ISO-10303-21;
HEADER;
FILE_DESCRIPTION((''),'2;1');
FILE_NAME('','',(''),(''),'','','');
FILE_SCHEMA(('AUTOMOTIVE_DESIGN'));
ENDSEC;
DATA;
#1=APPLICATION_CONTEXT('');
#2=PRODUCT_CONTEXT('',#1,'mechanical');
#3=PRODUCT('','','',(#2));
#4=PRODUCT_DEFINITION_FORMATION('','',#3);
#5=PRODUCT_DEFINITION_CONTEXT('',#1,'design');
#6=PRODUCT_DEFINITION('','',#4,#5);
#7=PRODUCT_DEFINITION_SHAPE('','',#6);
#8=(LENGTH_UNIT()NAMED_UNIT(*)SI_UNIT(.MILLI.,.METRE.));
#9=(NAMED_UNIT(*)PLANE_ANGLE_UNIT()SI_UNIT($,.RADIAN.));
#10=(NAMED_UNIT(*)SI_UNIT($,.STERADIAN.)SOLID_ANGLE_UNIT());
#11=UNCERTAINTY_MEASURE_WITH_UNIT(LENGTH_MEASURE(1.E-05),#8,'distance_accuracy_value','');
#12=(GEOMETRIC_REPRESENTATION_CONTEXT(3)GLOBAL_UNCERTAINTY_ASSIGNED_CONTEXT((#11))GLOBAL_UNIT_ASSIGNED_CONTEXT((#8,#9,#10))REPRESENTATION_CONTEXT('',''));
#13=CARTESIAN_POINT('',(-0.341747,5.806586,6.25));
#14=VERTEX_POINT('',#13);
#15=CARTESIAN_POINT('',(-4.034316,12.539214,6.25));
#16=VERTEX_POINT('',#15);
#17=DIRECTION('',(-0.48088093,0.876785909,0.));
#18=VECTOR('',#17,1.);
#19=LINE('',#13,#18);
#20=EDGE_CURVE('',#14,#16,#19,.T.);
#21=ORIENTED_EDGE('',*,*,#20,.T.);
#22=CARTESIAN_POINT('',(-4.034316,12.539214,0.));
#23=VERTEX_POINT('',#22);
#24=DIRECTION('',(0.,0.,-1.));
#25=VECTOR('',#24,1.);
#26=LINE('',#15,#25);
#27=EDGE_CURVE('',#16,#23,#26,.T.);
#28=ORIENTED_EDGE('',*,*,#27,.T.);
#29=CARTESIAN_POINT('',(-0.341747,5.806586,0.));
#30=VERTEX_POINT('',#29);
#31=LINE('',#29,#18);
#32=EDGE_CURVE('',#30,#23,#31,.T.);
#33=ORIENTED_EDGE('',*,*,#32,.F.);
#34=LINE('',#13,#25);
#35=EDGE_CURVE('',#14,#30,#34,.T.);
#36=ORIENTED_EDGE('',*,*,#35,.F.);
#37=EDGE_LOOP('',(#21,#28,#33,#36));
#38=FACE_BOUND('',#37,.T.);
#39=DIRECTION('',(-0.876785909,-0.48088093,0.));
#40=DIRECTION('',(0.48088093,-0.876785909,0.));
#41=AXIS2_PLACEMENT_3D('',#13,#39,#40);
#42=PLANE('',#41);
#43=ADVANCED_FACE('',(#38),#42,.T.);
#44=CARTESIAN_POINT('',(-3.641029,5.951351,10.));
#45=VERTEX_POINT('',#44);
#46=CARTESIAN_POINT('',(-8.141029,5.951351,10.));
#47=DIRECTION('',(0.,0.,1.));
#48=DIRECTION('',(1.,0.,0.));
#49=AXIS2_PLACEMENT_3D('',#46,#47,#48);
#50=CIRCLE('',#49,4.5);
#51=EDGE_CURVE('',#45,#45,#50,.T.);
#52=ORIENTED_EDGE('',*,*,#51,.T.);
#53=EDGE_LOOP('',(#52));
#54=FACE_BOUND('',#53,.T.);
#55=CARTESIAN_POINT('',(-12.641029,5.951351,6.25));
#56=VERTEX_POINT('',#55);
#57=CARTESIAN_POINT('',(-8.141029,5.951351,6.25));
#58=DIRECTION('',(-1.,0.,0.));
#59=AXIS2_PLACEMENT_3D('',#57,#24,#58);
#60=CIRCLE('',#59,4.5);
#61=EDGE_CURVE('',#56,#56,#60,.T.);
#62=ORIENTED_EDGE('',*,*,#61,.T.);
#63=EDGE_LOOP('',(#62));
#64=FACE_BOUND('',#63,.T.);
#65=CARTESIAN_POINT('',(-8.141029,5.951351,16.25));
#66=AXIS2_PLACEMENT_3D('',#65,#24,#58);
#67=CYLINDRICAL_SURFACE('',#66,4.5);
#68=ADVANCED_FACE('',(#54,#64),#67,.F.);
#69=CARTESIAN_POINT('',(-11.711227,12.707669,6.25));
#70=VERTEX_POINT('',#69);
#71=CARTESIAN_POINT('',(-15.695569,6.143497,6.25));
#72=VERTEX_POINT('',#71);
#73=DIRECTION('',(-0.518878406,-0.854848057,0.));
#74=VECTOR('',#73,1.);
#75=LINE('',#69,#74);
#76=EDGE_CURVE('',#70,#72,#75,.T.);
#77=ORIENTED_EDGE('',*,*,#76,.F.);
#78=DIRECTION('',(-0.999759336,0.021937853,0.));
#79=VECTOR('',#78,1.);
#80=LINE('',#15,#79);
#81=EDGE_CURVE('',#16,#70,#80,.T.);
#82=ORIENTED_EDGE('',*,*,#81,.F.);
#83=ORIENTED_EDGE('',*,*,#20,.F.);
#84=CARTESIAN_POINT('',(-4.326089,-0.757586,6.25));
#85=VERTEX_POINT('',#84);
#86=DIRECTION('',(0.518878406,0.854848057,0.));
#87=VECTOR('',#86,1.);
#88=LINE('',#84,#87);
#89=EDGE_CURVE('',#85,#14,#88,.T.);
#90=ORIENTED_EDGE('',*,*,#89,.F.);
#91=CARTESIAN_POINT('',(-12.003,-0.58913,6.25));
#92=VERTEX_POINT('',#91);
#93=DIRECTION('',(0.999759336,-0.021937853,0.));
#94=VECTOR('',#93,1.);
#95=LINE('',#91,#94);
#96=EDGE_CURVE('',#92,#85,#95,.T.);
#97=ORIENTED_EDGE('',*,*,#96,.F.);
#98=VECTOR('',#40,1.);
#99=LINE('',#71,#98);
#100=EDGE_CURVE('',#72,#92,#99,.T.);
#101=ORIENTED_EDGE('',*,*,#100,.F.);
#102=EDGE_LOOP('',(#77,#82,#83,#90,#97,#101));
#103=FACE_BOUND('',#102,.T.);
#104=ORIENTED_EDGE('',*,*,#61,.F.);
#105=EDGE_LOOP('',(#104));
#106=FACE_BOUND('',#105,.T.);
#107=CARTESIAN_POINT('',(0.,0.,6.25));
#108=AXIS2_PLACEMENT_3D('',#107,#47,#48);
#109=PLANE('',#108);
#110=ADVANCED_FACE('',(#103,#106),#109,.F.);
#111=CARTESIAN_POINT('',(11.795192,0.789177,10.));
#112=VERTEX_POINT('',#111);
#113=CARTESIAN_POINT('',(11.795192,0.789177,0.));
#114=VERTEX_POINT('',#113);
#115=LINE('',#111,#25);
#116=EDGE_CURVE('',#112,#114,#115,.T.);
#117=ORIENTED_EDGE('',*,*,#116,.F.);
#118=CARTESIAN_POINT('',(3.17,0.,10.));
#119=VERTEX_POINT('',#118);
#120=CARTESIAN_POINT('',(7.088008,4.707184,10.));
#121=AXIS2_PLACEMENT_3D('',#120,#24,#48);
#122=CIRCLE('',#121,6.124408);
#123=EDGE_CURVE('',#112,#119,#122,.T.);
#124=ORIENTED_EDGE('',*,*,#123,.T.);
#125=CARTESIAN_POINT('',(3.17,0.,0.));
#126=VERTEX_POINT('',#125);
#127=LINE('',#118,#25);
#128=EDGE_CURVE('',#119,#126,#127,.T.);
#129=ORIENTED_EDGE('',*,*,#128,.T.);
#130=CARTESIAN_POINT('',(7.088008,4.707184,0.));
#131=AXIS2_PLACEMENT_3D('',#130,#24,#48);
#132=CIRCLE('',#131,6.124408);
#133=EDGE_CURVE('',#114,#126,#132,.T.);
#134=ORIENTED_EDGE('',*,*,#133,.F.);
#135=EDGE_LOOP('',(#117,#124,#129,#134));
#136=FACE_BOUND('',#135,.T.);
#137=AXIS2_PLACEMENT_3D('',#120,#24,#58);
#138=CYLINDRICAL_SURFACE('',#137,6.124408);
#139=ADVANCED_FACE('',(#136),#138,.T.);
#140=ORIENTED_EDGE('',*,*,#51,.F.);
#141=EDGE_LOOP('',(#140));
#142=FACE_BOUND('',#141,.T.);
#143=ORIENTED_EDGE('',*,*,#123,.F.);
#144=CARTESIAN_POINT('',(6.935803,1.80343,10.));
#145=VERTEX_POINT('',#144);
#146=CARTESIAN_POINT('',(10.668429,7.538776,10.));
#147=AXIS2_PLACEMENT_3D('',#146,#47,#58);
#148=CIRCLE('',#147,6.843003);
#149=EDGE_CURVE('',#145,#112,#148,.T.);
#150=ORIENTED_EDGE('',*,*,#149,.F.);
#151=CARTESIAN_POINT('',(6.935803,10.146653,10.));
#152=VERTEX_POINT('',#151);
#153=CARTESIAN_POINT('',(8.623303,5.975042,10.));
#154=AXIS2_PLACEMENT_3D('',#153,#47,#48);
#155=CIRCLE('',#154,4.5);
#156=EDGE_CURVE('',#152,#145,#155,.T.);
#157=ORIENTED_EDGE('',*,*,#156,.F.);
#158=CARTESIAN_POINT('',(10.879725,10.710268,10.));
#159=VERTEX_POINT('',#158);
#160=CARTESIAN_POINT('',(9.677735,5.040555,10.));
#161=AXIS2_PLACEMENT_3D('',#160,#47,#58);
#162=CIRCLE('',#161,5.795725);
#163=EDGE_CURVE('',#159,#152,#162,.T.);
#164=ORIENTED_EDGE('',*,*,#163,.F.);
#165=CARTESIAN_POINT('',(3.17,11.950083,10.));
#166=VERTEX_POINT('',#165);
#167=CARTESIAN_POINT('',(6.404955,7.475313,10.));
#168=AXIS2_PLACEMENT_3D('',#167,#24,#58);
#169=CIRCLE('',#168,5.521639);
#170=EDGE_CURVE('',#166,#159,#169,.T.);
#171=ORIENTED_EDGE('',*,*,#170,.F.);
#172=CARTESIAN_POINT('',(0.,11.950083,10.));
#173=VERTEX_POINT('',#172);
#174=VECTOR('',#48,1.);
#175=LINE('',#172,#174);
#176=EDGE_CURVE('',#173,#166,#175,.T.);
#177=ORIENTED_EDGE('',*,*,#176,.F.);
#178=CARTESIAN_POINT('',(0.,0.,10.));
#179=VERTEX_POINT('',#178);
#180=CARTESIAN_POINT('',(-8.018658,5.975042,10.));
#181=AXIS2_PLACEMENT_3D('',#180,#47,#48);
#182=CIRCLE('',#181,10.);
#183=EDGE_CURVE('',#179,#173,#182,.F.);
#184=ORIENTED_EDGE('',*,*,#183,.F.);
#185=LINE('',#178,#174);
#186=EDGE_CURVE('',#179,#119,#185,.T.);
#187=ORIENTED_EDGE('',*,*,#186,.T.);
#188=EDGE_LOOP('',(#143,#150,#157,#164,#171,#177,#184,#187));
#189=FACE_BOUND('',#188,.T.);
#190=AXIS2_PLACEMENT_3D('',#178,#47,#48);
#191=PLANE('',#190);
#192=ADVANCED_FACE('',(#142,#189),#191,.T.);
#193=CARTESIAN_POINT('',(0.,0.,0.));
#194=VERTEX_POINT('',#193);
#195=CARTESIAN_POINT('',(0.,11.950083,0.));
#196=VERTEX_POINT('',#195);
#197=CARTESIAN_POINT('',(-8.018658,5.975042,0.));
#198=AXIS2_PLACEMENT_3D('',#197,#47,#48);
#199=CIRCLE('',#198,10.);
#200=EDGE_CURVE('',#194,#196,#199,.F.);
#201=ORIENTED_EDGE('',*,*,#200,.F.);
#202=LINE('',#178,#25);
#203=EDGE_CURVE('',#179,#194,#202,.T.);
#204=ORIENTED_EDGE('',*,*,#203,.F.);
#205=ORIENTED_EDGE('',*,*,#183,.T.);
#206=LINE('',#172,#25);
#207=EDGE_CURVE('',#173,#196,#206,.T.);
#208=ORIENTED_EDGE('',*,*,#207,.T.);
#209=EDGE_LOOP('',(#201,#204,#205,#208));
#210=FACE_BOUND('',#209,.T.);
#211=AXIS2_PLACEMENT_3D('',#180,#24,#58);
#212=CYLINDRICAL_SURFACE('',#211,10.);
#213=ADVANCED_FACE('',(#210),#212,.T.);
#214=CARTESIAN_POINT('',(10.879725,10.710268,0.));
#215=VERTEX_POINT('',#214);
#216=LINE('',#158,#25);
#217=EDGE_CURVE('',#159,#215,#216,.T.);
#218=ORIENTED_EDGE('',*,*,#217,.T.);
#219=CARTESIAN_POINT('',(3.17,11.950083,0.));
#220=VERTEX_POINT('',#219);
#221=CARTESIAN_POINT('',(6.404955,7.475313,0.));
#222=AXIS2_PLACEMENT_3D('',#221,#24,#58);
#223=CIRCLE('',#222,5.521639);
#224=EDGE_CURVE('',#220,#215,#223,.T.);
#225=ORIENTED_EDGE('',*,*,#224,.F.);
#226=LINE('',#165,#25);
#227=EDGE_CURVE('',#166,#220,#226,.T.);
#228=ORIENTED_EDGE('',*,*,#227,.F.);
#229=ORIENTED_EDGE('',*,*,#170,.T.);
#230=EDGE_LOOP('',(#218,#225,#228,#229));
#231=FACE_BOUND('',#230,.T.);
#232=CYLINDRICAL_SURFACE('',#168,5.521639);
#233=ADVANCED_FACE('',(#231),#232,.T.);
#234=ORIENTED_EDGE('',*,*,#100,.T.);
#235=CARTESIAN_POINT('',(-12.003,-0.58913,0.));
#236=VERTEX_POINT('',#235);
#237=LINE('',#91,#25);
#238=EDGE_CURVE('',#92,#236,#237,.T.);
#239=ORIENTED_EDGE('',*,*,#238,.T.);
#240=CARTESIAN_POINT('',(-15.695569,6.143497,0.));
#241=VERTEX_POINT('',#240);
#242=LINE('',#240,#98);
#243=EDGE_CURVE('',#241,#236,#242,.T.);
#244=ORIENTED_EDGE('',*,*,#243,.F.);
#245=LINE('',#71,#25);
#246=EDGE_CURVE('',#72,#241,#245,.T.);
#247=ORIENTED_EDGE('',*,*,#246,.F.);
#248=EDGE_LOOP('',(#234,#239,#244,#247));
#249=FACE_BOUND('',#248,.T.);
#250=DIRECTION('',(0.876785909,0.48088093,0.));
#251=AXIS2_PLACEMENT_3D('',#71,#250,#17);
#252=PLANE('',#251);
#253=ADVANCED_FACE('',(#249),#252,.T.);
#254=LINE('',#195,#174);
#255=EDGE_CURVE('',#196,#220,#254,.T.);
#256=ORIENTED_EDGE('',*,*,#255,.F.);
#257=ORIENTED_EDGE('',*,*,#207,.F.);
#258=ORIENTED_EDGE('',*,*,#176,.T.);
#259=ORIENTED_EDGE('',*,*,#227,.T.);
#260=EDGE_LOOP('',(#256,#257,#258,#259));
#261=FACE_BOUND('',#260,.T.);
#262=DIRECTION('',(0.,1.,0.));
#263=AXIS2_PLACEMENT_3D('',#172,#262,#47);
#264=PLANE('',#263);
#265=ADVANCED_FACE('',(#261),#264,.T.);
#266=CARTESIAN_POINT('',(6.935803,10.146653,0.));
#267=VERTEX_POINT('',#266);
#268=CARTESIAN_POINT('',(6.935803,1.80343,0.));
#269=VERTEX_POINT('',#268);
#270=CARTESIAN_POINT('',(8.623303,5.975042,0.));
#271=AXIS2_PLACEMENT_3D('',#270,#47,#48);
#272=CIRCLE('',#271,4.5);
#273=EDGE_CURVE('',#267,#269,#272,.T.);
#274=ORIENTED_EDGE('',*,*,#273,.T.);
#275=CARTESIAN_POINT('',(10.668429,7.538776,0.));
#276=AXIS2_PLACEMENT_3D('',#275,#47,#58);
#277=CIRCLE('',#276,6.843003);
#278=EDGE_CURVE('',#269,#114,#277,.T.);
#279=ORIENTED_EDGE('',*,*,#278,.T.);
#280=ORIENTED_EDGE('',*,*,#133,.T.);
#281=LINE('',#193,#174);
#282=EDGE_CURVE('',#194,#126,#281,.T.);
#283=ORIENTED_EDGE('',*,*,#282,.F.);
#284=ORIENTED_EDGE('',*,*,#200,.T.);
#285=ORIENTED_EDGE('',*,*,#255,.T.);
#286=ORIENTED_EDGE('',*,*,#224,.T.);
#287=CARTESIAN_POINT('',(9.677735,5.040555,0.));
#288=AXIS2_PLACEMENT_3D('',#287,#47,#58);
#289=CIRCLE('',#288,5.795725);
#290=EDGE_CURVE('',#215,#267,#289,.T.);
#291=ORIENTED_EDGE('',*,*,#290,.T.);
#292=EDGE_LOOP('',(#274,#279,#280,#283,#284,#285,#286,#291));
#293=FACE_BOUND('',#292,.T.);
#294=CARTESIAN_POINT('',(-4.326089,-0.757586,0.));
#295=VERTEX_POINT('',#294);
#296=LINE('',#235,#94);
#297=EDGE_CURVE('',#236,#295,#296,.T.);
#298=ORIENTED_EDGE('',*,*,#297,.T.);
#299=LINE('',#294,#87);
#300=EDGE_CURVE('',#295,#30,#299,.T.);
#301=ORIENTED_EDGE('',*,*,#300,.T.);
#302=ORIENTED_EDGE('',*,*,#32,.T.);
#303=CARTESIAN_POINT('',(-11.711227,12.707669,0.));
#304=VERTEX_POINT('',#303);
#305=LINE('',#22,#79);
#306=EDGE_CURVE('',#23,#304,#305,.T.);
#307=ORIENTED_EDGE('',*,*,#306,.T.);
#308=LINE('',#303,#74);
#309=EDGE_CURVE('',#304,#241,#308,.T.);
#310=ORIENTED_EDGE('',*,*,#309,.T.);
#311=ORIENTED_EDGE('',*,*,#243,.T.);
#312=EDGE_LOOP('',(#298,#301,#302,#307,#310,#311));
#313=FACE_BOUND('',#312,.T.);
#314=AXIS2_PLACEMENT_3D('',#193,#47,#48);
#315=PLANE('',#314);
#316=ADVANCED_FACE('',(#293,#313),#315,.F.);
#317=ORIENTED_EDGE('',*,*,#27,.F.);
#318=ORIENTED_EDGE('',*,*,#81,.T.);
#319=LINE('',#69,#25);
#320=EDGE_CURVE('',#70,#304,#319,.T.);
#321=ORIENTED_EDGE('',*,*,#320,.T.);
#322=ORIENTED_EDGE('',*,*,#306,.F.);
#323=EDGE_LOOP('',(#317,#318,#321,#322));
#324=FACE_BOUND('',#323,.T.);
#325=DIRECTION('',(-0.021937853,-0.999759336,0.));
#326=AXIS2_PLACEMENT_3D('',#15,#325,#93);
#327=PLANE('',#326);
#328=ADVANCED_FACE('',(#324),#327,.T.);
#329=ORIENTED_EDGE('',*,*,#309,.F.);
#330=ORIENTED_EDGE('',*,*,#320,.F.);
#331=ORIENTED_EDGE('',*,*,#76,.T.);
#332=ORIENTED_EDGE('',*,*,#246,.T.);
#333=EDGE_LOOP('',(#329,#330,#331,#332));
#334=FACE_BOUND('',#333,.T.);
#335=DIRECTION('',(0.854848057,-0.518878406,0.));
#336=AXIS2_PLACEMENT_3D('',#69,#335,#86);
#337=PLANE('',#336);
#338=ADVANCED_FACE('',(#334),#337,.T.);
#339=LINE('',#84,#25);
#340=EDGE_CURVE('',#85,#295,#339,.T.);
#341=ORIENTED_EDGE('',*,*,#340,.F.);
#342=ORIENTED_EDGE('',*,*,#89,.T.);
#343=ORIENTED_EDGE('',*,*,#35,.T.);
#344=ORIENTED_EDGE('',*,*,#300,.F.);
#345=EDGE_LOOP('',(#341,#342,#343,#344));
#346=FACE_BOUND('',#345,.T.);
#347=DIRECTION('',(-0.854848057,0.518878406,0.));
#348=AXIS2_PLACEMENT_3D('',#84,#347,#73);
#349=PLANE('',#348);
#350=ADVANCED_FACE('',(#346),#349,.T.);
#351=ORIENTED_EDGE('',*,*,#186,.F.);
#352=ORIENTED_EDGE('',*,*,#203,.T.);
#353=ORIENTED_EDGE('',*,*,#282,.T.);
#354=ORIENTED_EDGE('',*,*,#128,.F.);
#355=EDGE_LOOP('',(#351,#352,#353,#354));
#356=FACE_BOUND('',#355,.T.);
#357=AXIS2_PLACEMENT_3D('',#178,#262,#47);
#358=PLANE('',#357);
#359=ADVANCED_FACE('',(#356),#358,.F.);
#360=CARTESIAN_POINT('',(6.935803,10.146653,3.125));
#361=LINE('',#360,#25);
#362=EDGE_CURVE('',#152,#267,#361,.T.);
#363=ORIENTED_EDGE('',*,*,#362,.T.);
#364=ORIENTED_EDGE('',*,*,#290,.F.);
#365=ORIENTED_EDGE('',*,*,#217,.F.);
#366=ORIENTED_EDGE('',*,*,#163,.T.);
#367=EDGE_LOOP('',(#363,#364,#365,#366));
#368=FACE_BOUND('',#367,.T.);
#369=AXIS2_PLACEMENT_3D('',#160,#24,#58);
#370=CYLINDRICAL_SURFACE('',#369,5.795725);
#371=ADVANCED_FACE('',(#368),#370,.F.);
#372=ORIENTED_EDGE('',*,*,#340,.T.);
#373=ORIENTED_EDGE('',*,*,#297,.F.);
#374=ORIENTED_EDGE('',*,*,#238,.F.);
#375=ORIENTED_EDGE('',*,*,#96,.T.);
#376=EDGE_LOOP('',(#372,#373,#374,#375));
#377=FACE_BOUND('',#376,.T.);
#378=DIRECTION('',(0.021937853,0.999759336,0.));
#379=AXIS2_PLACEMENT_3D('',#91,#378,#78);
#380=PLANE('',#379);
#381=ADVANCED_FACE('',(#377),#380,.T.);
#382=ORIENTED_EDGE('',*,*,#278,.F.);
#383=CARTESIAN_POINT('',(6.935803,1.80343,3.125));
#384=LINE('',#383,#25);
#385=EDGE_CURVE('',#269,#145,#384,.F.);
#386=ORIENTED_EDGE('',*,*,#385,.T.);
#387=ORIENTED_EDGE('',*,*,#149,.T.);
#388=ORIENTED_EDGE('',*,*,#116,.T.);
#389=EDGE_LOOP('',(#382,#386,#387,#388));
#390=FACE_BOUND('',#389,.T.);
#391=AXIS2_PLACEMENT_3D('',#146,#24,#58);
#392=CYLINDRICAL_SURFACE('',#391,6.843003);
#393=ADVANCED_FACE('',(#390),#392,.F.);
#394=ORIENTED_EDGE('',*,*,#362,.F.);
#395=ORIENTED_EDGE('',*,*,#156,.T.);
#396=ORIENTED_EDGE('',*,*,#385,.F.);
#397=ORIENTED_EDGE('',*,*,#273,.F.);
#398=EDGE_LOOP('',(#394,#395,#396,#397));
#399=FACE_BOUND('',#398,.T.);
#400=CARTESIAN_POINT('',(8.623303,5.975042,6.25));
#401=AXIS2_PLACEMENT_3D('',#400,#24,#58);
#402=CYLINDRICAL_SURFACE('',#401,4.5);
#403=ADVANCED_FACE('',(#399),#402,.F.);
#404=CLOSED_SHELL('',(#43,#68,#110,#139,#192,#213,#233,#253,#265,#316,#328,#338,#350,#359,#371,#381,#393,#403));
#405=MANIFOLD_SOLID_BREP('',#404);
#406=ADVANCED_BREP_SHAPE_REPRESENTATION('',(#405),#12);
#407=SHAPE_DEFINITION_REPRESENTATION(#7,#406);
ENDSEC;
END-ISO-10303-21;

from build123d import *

# Parameters (mm, degrees)
ESQUISSE1_W             = 3.17
ESQUISSE1_H             = 11.950083308
BOSS_EXTRU_1_DEPTH      = 10
ESQUISSE3_R             = 4.5
ENL_V_MAT_EXTRU_1_DEPTH = 6.25
ESQUISSE4_R             = 4.5
ENL_V_MAT_EXTRU_2_DEPTH = 10
ENL_V_MAT_EXTRU_4_DEPTH = 10
BOSS_EXTRU_3_DEPTH      = 10
BOSS_EXTRU_4_DEPTH      = 10


with BuildPart() as part:
    # Esquisse1 → Boss.-Extru.1 (new body)
    with BuildSketch(Plane.XY):
        with Locations((1.585, 5.975041654)):
            Rectangle(ESQUISSE1_W, ESQUISSE1_H)
        with BuildLine():
            ThreePointArc((0, 0), (-18.018658069, 5.975041654), (0, 11.950083308))
            Line((0, 11.950083308), (0, 0))
        make_face()
        with BuildLine():
            ThreePointArc((3.17, 11.950083308), (8.623303343, 5.975041654), (3.17, 0))
            Line((3.17, 0), (3.17, 11.950083308))
        make_face()
    extrude(amount=BOSS_EXTRU_1_DEPTH)

    # Esquisse3 → Enlèv. mat.-Extru.1 (cut)
    with BuildSketch(Plane.XY):
        with Locations((8.623303343, 5.975041654)):
            Circle(ESQUISSE3_R)
        Polygon((-4.326089499, -0.75758567), (-0.341747487, 5.806586179), (-4.034316058, 12.539213503), (-11.71122664, 12.707668978), (-15.695568652, 6.143497129), (-12.003000081, -0.589130195), align=None)
    extrude(amount=ENL_V_MAT_EXTRU_1_DEPTH, mode=Mode.SUBTRACT)

    # Esquisse4 → Enlèv. mat.-Extru.2 (cut)
    with BuildSketch(Plane(origin=(0, 0, 6.25), x_dir=(-1, 0, 0), z_dir=(0, 0, -1))):
        with Locations((8.141028583, 5.951350622)):
            Circle(ESQUISSE4_R)
    extrude(amount=-ENL_V_MAT_EXTRU_2_DEPTH, mode=Mode.SUBTRACT)

    # Esquisse6 → Enlèv. mat.-Extru.4 (cut)
    with BuildSketch(Plane(origin=(0, 0, 6.25), x_dir=(-1, 0, 0), z_dir=(0, 0, -1))):
        with BuildLine():
            ThreePointArc((-6.935803343, 1.803430005), (-8.623303343, 5.975041654), (-6.935803343, 10.146653303))
            ThreePointArc((-6.935803343, 10.146653303), (-4.123303343, 5.975041654), (-6.935803343, 1.803430005))
        make_face()
    extrude(amount=-ENL_V_MAT_EXTRU_4_DEPTH, mode=Mode.SUBTRACT)

    # Esquisse7 → Boss.-Extru.3 (add)
    with BuildSketch(Plane(origin=(0, 0, 0), x_dir=(-1, 0, 0), z_dir=(0, 0, -1))):
        with BuildLine():
            ThreePointArc((-3.17, 0), (-7.646039968, -1.391747442), (-11.795192237, 0.789176718))
            ThreePointArc((-11.795192237, 0.789176718), (-9.270284793, 0.840128378), (-6.935803343, 1.803430005))
            ThreePointArc((-6.935803343, 1.803430005), (-5.214835319, 0.563575862), (-3.17, 0))
        make_face()
    extrude(amount=-BOSS_EXTRU_3_DEPTH)

    # Esquisse8 → Boss.-Extru.4 (add)
    with BuildSketch(Plane(origin=(0, 0, 0), x_dir=(-1, 0, 0), z_dir=(0, 0, -1))):
        with BuildLine():
            ThreePointArc((-3.17, 11.950083308), (-7.281636762, 12.926912072), (-10.879725241, 10.71026808))
            ThreePointArc((-10.879725241, 10.71026808), (-8.857814072, 10.77798979), (-6.935803343, 10.146653303))
            ThreePointArc((-6.935803343, 10.146653303), (-5.214835319, 11.386507446), (-3.17, 11.950083308))
        make_face()
    extrude(amount=-BOSS_EXTRU_4_DEPTH)


solid = part.part
